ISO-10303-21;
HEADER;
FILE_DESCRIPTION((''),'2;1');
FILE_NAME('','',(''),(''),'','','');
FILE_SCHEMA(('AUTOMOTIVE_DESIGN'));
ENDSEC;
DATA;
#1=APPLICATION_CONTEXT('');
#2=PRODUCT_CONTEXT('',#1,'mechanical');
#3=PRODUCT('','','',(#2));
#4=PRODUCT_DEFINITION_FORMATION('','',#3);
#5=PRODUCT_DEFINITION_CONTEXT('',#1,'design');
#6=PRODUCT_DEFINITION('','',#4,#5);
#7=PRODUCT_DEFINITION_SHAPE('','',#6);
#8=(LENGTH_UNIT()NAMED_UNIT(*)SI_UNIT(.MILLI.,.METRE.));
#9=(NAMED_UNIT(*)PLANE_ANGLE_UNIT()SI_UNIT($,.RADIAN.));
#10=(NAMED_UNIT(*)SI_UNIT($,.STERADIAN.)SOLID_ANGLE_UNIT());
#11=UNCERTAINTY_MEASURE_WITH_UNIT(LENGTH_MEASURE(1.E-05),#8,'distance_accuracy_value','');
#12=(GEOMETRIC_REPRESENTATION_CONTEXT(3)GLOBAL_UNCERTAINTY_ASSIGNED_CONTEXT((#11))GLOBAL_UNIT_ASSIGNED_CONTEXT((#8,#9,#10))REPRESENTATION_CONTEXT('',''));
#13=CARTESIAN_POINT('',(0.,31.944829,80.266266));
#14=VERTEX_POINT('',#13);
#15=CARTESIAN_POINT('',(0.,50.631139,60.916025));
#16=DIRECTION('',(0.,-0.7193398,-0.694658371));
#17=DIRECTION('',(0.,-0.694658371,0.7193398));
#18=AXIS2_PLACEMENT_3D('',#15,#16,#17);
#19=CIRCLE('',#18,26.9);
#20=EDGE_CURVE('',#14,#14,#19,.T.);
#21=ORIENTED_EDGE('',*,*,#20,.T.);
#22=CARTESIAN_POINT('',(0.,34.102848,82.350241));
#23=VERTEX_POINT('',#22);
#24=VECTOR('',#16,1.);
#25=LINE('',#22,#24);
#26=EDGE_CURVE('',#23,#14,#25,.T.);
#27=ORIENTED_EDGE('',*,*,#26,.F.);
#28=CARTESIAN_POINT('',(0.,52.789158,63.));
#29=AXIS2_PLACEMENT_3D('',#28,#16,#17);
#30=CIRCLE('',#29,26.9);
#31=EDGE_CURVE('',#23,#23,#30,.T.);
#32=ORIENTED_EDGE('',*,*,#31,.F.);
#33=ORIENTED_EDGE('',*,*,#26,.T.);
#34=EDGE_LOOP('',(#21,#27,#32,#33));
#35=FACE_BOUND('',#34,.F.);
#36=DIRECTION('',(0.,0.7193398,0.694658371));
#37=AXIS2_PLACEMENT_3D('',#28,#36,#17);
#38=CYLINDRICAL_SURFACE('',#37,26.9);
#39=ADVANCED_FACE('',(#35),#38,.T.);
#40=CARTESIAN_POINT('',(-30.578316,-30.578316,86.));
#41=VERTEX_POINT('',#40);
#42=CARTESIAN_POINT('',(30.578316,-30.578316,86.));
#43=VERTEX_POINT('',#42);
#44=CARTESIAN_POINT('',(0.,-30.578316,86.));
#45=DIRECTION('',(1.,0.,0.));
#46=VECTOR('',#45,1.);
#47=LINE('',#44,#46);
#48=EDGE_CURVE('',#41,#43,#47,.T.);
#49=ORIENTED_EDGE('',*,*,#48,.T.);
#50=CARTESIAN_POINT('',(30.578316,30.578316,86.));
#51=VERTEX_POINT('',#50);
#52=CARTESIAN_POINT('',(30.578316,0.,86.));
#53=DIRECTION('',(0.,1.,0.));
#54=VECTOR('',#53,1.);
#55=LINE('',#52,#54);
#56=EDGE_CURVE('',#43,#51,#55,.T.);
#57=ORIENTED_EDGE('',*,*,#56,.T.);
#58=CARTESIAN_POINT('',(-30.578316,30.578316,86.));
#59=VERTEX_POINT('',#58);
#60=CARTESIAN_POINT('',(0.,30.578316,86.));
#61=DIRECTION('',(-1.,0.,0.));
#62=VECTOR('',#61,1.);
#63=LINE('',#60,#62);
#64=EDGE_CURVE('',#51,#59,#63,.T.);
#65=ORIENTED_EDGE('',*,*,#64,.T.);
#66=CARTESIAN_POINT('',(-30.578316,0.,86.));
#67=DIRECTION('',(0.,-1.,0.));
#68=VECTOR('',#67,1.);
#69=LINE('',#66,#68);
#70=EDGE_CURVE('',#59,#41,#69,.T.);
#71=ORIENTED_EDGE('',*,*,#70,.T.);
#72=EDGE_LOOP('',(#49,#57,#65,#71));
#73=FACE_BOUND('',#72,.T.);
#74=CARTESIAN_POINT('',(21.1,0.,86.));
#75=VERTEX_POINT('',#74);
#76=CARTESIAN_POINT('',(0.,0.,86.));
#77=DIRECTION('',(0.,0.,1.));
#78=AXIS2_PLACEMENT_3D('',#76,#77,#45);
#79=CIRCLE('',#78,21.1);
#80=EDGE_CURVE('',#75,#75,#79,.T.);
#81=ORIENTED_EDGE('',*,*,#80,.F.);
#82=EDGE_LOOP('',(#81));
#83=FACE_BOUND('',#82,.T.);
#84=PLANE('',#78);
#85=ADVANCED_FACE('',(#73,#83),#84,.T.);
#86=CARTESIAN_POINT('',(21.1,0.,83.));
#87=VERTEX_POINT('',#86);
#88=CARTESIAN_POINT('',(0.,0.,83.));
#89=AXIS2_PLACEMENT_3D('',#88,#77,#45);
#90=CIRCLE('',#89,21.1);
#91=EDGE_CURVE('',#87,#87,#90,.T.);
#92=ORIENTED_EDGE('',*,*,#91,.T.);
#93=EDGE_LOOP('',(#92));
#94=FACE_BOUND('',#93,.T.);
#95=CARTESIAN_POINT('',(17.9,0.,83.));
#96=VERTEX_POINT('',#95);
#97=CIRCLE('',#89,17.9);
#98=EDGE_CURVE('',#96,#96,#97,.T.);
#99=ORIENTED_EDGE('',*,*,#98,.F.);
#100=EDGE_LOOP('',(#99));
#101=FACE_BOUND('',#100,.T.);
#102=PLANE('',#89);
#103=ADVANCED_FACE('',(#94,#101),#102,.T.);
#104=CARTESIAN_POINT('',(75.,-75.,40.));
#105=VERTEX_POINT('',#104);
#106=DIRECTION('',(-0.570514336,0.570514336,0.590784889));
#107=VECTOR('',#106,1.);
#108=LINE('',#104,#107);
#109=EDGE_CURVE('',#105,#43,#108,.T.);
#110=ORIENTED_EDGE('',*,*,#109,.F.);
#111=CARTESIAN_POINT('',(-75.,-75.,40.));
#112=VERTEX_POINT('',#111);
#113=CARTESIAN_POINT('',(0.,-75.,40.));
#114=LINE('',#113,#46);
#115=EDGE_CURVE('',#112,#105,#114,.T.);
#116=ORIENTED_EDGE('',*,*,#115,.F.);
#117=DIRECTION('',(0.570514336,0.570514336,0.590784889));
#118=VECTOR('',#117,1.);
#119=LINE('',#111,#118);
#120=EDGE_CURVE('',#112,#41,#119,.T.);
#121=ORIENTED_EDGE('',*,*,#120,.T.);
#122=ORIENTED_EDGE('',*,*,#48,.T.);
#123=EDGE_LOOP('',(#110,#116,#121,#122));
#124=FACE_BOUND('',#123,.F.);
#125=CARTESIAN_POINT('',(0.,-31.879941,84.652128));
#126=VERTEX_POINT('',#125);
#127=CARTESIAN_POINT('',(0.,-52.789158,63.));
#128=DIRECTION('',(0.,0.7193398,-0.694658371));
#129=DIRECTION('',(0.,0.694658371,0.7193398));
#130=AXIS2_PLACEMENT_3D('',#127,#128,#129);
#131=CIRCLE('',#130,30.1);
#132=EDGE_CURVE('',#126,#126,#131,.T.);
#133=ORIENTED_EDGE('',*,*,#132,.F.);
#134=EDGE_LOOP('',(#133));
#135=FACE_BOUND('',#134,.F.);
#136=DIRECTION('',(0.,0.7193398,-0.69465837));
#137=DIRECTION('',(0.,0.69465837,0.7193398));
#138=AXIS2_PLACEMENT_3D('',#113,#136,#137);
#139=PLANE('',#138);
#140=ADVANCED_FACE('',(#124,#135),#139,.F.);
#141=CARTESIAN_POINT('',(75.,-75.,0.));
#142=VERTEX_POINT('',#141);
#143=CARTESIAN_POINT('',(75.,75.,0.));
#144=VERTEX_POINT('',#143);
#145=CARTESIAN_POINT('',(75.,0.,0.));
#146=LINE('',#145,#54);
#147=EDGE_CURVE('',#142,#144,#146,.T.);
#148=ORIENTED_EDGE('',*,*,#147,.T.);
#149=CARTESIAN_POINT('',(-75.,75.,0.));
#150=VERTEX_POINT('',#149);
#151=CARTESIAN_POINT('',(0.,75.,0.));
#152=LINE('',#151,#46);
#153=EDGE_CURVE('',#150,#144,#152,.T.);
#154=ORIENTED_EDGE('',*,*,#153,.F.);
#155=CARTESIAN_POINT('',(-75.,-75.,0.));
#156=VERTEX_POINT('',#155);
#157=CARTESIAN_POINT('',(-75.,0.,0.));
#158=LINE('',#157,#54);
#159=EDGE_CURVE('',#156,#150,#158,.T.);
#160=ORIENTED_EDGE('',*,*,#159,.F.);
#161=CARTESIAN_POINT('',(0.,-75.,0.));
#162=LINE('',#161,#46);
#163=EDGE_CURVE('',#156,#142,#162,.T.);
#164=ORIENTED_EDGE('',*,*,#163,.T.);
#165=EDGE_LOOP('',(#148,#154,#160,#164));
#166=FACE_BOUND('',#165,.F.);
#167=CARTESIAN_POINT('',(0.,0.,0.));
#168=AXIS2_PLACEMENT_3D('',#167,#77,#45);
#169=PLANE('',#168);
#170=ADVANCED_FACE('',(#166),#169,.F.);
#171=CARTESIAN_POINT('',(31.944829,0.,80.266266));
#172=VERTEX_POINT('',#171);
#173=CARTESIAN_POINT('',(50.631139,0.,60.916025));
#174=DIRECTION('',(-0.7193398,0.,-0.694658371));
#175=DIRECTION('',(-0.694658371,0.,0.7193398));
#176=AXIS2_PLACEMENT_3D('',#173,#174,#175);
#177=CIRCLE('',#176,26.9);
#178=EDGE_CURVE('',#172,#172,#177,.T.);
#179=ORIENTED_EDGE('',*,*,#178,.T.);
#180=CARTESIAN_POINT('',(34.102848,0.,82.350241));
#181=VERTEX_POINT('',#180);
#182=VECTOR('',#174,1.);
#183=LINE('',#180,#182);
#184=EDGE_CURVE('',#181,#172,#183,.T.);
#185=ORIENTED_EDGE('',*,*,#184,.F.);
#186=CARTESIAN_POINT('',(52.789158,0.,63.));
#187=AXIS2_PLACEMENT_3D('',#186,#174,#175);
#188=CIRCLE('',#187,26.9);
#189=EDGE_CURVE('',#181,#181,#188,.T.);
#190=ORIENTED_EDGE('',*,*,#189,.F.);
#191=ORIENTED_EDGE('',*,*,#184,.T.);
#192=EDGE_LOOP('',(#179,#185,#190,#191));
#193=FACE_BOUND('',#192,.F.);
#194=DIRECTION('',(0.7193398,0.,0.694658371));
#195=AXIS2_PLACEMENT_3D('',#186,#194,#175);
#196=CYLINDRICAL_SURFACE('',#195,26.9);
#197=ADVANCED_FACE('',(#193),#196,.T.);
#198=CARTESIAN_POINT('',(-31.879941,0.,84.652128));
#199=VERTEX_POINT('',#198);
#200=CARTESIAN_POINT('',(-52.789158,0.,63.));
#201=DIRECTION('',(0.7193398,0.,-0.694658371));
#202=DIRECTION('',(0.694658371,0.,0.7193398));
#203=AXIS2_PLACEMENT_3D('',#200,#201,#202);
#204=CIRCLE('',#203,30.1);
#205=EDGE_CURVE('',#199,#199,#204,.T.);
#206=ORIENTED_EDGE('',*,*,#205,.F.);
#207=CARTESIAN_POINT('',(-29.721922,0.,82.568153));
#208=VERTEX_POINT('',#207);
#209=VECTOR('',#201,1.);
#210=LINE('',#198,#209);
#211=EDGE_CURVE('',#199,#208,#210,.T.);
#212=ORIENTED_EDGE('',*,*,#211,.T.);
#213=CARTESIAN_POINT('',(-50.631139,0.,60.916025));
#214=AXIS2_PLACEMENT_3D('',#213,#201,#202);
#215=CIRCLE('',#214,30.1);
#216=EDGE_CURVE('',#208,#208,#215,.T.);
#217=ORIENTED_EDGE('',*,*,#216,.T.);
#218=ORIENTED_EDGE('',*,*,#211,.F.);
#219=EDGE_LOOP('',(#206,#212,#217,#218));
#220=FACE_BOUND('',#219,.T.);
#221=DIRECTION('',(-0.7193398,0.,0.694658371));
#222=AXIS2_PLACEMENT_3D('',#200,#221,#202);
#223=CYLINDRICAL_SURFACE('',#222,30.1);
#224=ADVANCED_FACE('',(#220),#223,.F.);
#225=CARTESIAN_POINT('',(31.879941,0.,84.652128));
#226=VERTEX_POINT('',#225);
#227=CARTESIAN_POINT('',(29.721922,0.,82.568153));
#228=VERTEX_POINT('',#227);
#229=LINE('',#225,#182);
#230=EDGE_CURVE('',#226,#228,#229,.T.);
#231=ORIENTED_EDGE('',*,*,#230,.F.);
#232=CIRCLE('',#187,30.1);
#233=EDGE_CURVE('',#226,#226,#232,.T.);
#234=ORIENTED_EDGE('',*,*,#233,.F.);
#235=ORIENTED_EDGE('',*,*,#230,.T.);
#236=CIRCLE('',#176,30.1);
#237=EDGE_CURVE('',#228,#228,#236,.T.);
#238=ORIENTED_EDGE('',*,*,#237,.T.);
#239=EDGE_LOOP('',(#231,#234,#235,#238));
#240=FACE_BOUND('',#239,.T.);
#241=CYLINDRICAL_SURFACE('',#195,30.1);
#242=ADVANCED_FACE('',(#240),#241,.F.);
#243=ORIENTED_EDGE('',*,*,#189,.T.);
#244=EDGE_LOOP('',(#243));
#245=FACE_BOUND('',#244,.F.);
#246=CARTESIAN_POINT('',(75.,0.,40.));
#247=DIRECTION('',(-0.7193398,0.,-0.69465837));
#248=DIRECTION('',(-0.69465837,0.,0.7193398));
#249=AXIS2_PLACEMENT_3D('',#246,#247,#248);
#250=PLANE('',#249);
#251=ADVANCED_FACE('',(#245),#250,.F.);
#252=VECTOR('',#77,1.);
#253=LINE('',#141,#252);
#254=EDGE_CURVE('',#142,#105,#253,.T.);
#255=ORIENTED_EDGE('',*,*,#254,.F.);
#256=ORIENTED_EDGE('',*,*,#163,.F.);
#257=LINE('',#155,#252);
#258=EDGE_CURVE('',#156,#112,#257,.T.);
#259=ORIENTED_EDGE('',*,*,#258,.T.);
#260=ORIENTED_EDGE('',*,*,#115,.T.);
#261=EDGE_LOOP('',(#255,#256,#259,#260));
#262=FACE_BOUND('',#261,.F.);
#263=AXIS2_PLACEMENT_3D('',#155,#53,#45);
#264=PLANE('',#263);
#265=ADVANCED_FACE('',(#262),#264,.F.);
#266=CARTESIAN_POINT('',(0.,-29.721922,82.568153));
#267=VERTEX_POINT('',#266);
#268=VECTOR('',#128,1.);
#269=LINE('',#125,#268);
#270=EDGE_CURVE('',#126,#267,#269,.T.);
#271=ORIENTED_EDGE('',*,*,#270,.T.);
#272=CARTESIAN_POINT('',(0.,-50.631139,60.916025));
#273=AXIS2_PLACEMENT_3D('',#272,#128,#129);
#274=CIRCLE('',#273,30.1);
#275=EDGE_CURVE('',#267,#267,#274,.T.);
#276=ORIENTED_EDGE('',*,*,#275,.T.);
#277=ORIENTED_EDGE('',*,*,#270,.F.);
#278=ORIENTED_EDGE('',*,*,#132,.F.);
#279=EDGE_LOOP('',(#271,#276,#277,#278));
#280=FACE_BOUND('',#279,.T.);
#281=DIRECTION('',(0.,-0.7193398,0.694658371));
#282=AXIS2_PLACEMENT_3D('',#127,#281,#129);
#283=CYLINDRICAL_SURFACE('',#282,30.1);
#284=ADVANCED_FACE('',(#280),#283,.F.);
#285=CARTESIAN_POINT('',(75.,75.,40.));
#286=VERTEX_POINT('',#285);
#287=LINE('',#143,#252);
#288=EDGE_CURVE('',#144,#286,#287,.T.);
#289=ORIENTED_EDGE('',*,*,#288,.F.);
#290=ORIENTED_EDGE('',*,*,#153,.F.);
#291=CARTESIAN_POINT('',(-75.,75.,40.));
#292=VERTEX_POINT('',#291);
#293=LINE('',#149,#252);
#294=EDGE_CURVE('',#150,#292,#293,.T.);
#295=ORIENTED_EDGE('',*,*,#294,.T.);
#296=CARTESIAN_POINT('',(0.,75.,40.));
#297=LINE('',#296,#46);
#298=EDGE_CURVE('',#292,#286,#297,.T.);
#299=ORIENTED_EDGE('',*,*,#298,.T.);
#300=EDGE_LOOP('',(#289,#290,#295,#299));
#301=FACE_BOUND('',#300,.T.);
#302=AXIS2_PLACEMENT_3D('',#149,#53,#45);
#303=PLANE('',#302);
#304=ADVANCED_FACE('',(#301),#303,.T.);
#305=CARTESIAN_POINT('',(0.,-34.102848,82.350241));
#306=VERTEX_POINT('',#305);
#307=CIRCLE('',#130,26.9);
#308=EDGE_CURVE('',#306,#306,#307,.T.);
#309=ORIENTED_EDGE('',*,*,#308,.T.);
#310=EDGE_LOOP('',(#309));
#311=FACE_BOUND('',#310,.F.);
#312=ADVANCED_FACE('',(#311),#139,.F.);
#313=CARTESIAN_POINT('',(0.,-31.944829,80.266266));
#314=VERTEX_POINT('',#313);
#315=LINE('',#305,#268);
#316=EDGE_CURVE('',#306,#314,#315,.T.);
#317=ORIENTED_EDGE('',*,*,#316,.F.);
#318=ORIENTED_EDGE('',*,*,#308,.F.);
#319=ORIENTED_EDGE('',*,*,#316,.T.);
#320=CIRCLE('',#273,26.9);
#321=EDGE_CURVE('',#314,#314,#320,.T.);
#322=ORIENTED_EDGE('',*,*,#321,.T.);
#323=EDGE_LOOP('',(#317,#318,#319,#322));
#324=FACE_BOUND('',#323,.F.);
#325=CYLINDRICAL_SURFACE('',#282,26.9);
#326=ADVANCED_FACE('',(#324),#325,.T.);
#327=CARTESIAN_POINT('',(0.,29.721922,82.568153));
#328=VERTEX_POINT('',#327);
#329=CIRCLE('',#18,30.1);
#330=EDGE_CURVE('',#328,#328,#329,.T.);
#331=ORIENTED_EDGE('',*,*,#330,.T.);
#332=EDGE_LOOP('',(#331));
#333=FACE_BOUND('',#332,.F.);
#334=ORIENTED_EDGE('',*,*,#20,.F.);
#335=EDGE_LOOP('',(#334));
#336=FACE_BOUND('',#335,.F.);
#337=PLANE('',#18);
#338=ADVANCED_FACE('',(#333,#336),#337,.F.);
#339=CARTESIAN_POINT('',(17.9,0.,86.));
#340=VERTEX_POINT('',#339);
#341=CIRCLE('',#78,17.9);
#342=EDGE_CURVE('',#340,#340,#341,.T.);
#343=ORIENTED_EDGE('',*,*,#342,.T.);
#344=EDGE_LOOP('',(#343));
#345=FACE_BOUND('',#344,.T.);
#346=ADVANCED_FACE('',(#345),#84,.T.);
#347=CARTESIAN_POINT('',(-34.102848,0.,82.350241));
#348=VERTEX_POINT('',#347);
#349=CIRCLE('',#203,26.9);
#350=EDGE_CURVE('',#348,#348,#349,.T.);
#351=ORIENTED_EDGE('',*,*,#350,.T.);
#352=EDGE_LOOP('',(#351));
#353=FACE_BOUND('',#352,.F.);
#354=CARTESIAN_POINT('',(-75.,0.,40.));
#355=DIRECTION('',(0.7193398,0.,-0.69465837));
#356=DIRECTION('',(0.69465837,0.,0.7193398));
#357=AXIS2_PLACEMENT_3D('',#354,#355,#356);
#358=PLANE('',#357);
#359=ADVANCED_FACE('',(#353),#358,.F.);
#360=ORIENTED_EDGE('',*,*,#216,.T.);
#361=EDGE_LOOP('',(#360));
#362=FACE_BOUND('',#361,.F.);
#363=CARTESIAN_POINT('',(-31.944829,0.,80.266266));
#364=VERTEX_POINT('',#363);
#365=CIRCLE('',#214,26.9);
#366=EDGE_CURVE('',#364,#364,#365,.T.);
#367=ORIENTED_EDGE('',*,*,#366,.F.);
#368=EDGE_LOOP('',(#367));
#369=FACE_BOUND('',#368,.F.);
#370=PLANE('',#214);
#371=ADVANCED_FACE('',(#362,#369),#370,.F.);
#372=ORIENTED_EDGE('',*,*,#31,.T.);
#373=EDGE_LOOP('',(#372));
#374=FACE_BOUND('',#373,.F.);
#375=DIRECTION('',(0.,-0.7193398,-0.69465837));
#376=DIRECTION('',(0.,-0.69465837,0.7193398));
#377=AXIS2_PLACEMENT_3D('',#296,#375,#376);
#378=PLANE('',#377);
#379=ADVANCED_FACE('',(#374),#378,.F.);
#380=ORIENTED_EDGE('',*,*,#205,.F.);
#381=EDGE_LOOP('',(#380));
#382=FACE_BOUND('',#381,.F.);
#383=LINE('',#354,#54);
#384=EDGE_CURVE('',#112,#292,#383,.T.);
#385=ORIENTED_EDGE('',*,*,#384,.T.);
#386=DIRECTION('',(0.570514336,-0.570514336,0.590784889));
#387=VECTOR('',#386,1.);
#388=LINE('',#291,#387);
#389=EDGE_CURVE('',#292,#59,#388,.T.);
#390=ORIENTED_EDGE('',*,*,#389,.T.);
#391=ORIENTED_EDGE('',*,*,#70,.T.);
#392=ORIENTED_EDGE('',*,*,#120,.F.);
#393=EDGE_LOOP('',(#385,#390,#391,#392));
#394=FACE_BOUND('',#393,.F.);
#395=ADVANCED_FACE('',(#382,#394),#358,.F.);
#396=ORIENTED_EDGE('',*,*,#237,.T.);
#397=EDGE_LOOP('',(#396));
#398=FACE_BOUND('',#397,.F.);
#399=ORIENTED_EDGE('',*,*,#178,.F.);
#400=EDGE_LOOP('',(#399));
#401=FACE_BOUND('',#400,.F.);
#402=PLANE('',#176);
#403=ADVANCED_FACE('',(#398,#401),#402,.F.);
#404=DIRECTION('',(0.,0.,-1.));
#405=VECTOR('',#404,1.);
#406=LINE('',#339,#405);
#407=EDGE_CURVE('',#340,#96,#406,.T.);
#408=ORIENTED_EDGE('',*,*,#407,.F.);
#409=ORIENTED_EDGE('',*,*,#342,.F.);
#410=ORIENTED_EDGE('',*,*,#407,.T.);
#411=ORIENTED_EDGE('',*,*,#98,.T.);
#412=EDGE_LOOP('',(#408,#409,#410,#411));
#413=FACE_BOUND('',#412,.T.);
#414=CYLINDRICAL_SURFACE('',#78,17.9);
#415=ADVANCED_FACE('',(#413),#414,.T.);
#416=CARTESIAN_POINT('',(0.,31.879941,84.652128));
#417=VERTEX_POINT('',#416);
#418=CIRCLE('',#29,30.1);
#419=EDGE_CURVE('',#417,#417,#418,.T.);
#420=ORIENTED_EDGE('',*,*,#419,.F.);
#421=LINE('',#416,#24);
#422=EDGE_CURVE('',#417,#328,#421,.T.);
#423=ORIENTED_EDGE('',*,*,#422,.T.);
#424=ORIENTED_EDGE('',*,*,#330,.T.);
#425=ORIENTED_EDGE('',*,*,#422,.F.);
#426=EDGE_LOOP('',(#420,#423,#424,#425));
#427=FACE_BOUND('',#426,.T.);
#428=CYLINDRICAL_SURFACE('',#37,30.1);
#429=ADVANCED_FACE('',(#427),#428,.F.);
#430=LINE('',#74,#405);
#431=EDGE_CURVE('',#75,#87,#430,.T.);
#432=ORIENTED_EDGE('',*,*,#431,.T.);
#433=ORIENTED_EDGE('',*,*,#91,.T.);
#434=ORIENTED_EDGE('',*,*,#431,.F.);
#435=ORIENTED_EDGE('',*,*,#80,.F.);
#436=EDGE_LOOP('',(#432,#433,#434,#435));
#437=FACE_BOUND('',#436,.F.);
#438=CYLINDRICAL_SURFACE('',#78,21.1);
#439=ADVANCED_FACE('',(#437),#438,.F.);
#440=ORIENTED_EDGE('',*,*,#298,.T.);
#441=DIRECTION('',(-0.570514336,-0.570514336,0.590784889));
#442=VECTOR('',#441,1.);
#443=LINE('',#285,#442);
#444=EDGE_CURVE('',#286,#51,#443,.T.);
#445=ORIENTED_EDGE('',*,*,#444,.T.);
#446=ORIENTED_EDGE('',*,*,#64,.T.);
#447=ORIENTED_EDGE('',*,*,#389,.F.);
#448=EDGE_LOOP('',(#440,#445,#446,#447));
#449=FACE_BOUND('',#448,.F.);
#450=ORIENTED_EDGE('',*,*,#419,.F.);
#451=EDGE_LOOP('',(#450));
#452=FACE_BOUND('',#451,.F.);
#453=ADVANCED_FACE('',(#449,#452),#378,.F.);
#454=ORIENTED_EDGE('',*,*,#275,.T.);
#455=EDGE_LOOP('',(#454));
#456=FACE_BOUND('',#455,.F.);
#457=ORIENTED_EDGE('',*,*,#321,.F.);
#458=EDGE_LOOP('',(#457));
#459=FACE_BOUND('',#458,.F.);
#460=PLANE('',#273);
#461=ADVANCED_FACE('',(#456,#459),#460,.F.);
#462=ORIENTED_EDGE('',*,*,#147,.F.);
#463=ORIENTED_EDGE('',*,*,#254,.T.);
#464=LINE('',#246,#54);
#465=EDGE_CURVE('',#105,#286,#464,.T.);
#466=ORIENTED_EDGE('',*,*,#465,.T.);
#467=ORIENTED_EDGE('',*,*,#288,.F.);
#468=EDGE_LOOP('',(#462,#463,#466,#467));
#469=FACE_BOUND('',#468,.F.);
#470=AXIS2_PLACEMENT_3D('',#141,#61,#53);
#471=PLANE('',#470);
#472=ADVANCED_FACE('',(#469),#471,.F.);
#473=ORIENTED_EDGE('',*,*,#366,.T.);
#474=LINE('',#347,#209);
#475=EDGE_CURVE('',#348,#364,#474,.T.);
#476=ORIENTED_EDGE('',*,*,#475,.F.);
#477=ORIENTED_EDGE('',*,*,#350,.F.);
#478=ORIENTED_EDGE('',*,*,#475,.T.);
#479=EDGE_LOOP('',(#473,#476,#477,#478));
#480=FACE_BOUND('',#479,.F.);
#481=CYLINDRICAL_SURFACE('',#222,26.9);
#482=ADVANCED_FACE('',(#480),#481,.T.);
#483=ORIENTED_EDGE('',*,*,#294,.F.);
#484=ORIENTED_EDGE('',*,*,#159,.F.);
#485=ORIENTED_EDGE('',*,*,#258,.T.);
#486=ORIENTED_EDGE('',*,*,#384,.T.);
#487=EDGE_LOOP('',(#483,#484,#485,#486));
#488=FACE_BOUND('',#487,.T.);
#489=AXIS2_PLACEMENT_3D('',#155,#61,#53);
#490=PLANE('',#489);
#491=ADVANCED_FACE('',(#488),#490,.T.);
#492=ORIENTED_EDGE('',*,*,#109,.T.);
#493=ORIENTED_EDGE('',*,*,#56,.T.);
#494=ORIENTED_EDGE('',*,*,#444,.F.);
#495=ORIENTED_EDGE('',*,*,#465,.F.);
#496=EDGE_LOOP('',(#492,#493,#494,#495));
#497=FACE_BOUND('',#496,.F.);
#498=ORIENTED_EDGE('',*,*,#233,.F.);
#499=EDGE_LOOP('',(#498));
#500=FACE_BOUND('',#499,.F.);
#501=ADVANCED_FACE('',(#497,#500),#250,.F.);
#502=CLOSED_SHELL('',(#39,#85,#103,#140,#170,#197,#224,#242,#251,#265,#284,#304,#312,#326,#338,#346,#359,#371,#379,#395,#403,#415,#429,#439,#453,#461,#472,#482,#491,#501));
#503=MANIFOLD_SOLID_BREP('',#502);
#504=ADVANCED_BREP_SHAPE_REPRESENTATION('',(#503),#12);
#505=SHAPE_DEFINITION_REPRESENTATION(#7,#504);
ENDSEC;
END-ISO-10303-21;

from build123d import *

# Parameters (mm, degrees)
SKETCH_W           = 150
SKETCH_H           = 150
PAD_DEPTH          = 40
SKETCH001_W        = 150
SKETCH001_H        = 150
PAD001_DEPTH       = 46
PAD001_TAPER       = 44
SKETCH002_R        = 30.1
SKETCH002_R_2      = 26.9
POCKET_DEPTH       = 3
POLARPATTERN_COUNT = 4
SKETCH003_R        = 21.1
SKETCH003_R_2      = 17.9
POCKET001_DEPTH    = 3


with BuildPart() as part:
    # Sketch → Pad (new body)
    with BuildSketch(Plane.XY):
        Rectangle(SKETCH_W, SKETCH_H)
    extrude(amount=PAD_DEPTH)

    # Sketch001 (on Face6 of Pad) → Pad001 (join)
    with BuildSketch(Plane.XY.offset(40)):
        Rectangle(SKETCH001_W, SKETCH001_H)
    extrude(amount=PAD001_DEPTH, taper=PAD001_TAPER)

    # Sketch002 (on Face10 of Pad001) → Pocket (cut)
    with BuildSketch(Plane(origin=(0, -55.9042011882, 59.7742785357), x_dir=(0, 0.6946583705, 0.7193398003), z_dir=(0, 0.7193398003, -0.6946583705))):
        with Locations((4.4842805345, 0)):
            Circle(SKETCH002_R)
        with Locations((4.4842805345, 0)):
            Circle(SKETCH002_R_2, mode=Mode.SUBTRACT)
    pocket = extrude(amount=POCKET_DEPTH, mode=Mode.SUBTRACT)

    # PolarPattern: Pocket ×4 about axis
    polarpattern_axis = Axis((0, 0, 0), (0, 0, 1))
    for i in range(1, POLARPATTERN_COUNT):
        add(pocket.rotate(polarpattern_axis, i * 360 / POLARPATTERN_COUNT), mode=Mode.SUBTRACT)

    # Sketch003 → Pocket001 (cut)
    with BuildSketch(Plane.XY.offset(86)):
        Circle(SKETCH003_R)
        Circle(SKETCH003_R_2, mode=Mode.SUBTRACT)
    extrude(amount=-POCKET001_DEPTH, mode=Mode.SUBTRACT)


solid = part.part
